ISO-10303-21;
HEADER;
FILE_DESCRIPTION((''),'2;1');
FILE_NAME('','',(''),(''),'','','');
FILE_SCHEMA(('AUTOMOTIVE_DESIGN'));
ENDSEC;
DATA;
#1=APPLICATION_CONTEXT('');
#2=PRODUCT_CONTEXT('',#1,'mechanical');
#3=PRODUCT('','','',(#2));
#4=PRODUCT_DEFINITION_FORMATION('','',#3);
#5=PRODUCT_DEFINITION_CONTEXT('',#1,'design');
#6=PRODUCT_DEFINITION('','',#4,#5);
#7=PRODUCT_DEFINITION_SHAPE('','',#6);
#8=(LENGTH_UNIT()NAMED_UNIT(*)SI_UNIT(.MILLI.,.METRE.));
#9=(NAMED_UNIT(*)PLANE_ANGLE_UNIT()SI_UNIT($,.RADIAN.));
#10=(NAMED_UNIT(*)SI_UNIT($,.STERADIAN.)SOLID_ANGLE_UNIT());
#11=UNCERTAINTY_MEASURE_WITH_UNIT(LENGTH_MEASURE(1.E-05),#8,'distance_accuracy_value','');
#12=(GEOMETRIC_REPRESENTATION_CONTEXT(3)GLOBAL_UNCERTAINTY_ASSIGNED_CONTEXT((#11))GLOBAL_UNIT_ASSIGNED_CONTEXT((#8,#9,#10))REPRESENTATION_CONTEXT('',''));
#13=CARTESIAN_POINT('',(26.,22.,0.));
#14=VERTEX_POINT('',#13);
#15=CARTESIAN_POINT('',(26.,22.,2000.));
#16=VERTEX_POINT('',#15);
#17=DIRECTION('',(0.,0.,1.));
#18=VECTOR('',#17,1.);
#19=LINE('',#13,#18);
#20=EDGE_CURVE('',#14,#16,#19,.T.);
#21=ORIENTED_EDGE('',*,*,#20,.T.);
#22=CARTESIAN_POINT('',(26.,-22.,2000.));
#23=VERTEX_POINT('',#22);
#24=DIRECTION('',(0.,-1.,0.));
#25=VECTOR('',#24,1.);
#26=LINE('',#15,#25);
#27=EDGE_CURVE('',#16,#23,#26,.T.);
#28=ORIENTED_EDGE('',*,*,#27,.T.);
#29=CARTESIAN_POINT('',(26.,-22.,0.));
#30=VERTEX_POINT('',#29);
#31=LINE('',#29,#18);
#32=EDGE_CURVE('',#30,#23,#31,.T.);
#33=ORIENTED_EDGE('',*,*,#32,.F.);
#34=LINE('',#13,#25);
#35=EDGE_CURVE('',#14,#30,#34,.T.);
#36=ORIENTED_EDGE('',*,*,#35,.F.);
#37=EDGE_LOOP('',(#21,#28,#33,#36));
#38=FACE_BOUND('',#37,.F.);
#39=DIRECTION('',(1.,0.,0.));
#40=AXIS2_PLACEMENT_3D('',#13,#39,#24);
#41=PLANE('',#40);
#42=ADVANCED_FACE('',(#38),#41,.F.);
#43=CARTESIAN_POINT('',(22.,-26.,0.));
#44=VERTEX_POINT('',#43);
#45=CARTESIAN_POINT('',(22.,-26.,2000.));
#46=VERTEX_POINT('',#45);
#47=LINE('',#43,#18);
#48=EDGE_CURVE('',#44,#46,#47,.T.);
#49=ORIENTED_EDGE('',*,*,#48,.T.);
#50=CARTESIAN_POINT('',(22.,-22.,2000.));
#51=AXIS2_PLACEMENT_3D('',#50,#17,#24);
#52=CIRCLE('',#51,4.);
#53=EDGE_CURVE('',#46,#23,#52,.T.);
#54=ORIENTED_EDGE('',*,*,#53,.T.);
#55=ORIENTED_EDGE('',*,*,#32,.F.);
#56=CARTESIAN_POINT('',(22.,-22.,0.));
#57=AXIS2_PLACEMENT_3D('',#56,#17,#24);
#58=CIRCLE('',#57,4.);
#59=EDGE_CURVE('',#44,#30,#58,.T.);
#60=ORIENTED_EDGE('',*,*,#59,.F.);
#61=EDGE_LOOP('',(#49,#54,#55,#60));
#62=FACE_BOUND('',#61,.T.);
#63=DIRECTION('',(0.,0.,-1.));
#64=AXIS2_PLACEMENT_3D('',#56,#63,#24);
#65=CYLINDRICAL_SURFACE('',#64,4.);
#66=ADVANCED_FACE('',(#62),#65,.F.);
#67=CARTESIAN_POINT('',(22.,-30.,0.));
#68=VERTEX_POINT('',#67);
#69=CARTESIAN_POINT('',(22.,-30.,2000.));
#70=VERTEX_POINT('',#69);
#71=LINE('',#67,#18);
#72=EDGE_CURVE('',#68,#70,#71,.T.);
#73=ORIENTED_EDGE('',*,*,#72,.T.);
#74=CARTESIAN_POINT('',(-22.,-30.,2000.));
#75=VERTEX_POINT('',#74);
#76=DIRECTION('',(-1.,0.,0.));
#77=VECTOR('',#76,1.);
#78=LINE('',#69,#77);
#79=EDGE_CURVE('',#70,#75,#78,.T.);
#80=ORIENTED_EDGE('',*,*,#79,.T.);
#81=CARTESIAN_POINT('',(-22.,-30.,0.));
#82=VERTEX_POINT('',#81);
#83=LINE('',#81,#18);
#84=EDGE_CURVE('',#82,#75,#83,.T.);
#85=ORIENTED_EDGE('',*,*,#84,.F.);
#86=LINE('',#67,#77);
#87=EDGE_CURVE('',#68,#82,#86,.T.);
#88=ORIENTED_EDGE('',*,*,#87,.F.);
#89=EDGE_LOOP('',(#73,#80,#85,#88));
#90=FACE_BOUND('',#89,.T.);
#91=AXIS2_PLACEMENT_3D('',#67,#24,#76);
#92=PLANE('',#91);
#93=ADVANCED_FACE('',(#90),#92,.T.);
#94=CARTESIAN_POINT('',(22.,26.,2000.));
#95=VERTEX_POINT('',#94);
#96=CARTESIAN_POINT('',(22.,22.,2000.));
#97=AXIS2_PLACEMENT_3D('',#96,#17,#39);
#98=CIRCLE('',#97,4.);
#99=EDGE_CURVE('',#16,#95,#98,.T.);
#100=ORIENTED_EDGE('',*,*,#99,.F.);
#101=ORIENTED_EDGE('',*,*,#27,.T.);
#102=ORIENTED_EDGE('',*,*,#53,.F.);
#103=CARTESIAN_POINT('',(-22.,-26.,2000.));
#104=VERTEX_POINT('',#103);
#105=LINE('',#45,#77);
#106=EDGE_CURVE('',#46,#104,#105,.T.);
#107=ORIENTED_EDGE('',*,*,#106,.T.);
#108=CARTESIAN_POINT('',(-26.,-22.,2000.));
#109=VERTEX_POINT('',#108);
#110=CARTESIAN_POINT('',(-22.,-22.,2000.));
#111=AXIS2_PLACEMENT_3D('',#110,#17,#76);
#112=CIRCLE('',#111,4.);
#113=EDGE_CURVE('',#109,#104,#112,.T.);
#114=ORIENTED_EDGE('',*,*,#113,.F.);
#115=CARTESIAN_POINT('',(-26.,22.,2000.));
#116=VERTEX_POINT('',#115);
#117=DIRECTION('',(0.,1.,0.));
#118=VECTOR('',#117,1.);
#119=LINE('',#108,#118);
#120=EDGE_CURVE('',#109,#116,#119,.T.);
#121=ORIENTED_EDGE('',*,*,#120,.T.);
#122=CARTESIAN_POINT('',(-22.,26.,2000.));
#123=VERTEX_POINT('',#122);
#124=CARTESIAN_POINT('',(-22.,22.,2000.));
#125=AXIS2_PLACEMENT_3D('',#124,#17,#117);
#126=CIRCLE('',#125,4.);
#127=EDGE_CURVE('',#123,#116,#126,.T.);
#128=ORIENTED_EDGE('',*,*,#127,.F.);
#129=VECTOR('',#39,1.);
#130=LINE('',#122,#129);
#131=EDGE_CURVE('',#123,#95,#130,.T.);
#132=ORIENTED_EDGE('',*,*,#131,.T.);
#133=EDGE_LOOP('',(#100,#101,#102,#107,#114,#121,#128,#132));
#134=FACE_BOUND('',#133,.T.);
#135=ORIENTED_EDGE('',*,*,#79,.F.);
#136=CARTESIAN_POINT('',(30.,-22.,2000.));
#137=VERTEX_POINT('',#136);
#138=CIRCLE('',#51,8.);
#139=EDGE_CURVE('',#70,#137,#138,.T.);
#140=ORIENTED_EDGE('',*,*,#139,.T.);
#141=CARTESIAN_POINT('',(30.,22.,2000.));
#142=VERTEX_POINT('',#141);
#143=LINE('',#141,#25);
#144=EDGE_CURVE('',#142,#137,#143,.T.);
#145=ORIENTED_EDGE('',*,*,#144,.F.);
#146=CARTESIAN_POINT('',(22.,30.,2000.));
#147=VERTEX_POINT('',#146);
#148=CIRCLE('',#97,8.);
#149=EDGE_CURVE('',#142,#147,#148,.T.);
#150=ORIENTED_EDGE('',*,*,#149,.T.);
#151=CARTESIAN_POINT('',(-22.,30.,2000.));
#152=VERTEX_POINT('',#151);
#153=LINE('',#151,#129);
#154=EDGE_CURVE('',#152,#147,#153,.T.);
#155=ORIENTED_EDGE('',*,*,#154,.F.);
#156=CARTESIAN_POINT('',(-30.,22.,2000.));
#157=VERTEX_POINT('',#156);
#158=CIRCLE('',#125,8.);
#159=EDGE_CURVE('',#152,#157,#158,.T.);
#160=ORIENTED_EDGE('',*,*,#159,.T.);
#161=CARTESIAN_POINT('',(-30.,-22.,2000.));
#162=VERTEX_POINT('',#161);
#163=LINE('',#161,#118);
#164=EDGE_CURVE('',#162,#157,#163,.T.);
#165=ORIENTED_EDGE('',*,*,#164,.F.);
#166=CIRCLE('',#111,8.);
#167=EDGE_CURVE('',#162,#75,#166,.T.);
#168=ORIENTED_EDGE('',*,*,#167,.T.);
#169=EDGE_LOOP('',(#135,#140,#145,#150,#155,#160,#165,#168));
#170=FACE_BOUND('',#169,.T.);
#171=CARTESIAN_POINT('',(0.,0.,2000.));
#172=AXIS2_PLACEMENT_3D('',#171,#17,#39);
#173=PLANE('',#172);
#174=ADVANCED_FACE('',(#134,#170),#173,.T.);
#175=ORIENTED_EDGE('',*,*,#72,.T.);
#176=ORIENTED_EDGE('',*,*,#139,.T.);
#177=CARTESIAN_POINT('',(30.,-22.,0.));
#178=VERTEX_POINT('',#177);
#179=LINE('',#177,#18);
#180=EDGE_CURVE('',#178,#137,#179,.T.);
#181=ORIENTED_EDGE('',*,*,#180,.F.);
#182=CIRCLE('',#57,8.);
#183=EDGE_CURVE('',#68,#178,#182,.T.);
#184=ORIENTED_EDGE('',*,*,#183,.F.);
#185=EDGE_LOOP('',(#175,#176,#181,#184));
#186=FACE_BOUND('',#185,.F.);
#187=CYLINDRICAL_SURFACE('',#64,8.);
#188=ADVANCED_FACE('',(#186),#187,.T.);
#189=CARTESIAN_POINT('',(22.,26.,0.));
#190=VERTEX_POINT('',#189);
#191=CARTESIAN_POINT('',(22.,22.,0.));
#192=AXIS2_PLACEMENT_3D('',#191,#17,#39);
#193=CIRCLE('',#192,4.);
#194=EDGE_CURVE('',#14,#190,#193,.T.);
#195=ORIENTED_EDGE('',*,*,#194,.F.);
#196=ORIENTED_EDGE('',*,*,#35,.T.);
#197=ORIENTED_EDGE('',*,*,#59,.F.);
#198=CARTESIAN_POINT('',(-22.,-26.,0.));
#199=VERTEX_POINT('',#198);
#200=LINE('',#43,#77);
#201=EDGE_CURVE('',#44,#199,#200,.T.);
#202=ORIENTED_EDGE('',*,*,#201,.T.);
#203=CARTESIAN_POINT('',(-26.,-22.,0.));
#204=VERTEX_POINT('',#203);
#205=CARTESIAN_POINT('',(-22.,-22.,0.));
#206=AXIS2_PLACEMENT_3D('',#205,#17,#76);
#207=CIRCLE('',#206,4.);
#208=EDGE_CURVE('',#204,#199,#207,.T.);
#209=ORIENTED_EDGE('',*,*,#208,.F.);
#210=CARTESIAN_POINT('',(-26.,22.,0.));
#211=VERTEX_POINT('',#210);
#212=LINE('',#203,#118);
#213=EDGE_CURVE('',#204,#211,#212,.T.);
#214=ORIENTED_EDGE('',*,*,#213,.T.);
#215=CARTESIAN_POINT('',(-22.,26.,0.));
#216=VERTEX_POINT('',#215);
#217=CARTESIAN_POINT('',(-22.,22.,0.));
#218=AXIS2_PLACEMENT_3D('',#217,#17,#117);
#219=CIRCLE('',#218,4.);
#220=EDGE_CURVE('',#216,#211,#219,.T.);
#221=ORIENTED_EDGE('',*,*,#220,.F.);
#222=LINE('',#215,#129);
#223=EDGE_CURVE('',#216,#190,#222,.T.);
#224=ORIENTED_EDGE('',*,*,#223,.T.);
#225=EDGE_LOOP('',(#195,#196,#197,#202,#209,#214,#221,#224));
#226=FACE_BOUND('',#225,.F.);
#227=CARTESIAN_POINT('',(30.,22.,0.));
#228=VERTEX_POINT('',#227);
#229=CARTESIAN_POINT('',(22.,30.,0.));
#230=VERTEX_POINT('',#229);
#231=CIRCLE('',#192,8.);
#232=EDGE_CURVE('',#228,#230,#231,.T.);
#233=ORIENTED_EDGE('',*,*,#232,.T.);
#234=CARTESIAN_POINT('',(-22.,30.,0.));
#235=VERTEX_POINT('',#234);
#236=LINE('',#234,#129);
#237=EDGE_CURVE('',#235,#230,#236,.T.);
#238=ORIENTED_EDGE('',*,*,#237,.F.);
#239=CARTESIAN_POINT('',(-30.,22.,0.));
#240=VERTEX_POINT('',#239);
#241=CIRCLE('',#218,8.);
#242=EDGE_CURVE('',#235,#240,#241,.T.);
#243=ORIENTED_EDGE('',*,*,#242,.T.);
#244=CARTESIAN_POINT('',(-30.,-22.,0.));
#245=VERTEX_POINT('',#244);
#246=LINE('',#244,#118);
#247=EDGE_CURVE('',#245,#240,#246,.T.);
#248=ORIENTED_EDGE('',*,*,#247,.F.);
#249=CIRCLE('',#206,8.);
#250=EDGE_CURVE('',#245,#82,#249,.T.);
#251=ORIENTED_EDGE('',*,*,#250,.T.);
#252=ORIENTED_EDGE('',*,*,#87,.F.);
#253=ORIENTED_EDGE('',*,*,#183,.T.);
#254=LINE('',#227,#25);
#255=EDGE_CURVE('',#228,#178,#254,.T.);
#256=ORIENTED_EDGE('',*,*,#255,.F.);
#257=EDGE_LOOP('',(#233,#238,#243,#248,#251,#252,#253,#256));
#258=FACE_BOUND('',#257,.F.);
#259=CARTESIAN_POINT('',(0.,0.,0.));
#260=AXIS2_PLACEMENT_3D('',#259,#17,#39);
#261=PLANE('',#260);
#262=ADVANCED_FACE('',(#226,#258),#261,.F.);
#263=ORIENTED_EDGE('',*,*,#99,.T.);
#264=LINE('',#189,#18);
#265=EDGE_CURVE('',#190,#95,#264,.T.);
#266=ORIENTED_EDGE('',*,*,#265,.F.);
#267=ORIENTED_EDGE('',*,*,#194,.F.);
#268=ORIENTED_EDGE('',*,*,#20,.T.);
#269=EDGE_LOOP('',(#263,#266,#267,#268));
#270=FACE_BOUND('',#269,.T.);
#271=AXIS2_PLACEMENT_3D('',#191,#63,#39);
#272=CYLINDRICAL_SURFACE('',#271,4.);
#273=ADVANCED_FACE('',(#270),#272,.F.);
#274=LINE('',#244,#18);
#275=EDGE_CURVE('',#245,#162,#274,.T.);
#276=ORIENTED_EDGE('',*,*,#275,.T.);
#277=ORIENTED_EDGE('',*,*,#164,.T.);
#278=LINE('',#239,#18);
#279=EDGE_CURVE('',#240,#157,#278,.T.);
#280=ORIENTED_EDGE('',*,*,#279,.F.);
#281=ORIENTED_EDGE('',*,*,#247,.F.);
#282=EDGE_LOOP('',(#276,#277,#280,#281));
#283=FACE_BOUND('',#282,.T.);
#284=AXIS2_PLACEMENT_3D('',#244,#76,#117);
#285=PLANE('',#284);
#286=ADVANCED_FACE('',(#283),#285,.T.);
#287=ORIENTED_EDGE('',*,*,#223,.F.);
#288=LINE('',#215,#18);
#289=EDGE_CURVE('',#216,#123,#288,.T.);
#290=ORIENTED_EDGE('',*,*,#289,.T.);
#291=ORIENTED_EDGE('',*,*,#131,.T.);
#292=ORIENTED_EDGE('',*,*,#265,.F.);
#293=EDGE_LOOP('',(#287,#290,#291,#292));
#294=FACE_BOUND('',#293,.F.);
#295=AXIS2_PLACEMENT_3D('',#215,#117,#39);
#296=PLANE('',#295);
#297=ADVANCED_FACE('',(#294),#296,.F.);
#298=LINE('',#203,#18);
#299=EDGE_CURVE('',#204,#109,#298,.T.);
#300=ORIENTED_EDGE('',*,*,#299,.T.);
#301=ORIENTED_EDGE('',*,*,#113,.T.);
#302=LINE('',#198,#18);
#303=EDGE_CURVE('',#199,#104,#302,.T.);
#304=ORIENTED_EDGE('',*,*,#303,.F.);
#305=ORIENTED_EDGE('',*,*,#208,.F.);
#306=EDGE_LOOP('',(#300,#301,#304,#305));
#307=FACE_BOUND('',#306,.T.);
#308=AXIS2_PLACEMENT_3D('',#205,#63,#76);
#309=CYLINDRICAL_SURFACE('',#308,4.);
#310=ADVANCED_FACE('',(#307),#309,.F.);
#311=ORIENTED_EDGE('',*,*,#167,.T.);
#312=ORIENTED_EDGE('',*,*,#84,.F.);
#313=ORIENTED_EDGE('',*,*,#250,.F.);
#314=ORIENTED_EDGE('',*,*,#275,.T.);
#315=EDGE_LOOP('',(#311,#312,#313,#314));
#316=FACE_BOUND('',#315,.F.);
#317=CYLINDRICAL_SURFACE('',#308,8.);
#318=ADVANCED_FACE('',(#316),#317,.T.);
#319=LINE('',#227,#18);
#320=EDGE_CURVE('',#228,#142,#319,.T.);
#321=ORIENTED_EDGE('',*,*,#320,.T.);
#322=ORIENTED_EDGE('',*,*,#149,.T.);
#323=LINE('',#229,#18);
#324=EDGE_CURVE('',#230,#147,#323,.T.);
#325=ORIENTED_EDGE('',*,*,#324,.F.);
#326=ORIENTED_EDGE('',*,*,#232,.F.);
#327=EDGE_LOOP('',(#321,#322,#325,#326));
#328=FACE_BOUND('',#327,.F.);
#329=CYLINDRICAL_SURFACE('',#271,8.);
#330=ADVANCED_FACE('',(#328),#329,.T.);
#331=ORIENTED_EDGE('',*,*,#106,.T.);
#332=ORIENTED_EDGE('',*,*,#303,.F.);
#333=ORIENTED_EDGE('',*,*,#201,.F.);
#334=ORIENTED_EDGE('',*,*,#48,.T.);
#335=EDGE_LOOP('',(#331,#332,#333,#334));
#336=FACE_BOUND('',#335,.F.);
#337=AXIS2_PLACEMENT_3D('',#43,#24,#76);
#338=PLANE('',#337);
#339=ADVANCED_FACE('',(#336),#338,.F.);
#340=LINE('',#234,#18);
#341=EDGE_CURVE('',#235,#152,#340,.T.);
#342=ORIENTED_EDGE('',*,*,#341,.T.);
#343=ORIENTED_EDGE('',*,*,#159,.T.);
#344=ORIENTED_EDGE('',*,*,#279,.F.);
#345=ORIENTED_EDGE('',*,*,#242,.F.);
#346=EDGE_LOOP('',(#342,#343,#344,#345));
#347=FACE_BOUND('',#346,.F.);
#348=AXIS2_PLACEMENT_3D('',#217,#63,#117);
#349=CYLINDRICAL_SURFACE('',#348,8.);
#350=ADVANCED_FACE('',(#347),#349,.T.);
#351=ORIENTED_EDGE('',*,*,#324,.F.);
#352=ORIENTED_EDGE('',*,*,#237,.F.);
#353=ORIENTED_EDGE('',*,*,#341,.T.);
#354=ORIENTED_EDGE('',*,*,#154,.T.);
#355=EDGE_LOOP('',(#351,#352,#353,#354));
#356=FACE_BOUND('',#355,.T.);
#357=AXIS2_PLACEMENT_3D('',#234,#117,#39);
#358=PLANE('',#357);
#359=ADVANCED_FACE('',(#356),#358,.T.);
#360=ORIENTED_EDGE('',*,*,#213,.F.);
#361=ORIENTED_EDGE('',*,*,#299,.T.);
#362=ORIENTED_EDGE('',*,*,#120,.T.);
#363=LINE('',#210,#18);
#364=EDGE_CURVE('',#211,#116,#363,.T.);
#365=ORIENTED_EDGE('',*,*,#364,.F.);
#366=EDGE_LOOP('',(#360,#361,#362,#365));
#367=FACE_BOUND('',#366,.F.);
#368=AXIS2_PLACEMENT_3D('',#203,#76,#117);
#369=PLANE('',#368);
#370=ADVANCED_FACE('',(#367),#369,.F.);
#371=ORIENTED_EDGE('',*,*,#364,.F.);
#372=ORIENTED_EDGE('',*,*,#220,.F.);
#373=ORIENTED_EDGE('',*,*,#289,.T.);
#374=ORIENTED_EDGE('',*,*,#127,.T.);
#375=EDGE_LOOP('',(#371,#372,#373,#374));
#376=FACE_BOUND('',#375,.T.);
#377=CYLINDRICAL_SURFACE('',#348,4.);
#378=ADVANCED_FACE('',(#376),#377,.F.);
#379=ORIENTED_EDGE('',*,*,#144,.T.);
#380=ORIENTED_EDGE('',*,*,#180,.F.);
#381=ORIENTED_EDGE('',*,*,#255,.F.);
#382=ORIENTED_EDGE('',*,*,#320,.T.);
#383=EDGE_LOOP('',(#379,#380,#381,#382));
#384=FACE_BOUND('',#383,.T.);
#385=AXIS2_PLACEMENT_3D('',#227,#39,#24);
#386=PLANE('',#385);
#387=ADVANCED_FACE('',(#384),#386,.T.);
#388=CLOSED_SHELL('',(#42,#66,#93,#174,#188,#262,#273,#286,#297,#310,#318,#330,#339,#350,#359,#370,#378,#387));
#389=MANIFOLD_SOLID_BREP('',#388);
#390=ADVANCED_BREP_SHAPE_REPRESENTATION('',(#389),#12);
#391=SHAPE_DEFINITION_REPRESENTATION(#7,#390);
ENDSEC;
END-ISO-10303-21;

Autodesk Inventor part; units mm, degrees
ref_plane "YZ Plane" through (0, 0, 0) normal (1, 0, 0) x (0, 1, 0)
ref_plane "Start Plane" through (0, 0, 0) normal (0, 0, 1) x (1, 0, 0)
ref_plane "End Plane" through (0, 0, 2000) normal (0, 0, 1) x (1, 0, 0)
sketch "Sketch" plane through (0, 0, 0) normal (0, 0, 1) x (1, 0, 0)
  line L0 (-30, -22) -> (-30, 22)
  line L1 (-22, 30) -> (22, 30)
  line L2 (30, 22) -> (30, -22)
  line L3 (22, -30) -> (-22, -30)
  arc A0 (-30, -22) -> (-22, -30) centre (-22, -22) ccw
  arc A1 (30, 22) -> (22, 30) centre (22, 22) ccw
  arc A2 (-22, 30) -> (-30, 22) centre (-22, 22) ccw
  arc A3 (22, -30) -> (30, -22) centre (22, -22) ccw
  arc A4 (-22, 26) -> (-26, 22) centre (-22, 22) ccw
  line L4 (-22, 26) -> (22, 26)
  arc A5 (26, 22) -> (22, 26) centre (22, 22) ccw
  line L5 (26, 22) -> (26, -22)
  arc A6 (22, -26) -> (26, -22) centre (22, -22) ccw
  line L6 (22, -26) -> (-22, -26)
  arc A7 (-26, -22) -> (-22, -26) centre (-22, -22) ccw
  line L7 (-26, -22) -> (-26, 22)
  line L8 (0, 44.3196) -> (0, -44.3196) construction
  line L9 (-44.3196, 0) -> (44.3196, 0) construction
  dimension "d7" = 8
  dimension "d9" = 60
  dimension "d11" = 60
  dimension "d12" = 4
  dimension "d15" = 30
  dimension "d16" = 30
extrude "Body" add sketch "Sketch" along normal up to surface (2000 mm away) from surface at 0
sketch "Sketch3" plane through (0, 0, 0) normal (0, 0, 1) x (1, 0, 0)
  line L0 (0, 0) -> (10, 0)
ref_plane "Work Plane3" through (0, 0, 0) normal (0, -1, 0) x (1, 0, 0)
sketch "Sketch4" plane through (0, 0, 0) normal (0, -1, 0) x (1, 0, 0)
  line L0 (-2, 0) -> (12, 0) projected
  line L1 (-2, 2000) -> (12, 2000) projected
  dimension "d18" = 2000
equation "\"d7\" = G_IR"
equation "\"d9\" = G_W"
equation "\"d11\" = G_H"
equation "\"d12\" = G_T"
equation "\"d15\" = 0.5 * d9"
equation "\"d16\" = 0.5 * d11"
equation "\"d3\" = G_L"
equation "\"G_W\" = 60"
equation "\"G_H\" = 60"
equation "\"G_T\" = 4"
equation "\"G_IR\" = 8"
equation "\"G_L\" = d18"
equation "\"G_OFFSET_START\" = 0"
equation "\"G_OFFSET_END\" = 0"
properties part number "ISO 10799-2 - 60x60x4 - 2000" material "Steel, Mild"
